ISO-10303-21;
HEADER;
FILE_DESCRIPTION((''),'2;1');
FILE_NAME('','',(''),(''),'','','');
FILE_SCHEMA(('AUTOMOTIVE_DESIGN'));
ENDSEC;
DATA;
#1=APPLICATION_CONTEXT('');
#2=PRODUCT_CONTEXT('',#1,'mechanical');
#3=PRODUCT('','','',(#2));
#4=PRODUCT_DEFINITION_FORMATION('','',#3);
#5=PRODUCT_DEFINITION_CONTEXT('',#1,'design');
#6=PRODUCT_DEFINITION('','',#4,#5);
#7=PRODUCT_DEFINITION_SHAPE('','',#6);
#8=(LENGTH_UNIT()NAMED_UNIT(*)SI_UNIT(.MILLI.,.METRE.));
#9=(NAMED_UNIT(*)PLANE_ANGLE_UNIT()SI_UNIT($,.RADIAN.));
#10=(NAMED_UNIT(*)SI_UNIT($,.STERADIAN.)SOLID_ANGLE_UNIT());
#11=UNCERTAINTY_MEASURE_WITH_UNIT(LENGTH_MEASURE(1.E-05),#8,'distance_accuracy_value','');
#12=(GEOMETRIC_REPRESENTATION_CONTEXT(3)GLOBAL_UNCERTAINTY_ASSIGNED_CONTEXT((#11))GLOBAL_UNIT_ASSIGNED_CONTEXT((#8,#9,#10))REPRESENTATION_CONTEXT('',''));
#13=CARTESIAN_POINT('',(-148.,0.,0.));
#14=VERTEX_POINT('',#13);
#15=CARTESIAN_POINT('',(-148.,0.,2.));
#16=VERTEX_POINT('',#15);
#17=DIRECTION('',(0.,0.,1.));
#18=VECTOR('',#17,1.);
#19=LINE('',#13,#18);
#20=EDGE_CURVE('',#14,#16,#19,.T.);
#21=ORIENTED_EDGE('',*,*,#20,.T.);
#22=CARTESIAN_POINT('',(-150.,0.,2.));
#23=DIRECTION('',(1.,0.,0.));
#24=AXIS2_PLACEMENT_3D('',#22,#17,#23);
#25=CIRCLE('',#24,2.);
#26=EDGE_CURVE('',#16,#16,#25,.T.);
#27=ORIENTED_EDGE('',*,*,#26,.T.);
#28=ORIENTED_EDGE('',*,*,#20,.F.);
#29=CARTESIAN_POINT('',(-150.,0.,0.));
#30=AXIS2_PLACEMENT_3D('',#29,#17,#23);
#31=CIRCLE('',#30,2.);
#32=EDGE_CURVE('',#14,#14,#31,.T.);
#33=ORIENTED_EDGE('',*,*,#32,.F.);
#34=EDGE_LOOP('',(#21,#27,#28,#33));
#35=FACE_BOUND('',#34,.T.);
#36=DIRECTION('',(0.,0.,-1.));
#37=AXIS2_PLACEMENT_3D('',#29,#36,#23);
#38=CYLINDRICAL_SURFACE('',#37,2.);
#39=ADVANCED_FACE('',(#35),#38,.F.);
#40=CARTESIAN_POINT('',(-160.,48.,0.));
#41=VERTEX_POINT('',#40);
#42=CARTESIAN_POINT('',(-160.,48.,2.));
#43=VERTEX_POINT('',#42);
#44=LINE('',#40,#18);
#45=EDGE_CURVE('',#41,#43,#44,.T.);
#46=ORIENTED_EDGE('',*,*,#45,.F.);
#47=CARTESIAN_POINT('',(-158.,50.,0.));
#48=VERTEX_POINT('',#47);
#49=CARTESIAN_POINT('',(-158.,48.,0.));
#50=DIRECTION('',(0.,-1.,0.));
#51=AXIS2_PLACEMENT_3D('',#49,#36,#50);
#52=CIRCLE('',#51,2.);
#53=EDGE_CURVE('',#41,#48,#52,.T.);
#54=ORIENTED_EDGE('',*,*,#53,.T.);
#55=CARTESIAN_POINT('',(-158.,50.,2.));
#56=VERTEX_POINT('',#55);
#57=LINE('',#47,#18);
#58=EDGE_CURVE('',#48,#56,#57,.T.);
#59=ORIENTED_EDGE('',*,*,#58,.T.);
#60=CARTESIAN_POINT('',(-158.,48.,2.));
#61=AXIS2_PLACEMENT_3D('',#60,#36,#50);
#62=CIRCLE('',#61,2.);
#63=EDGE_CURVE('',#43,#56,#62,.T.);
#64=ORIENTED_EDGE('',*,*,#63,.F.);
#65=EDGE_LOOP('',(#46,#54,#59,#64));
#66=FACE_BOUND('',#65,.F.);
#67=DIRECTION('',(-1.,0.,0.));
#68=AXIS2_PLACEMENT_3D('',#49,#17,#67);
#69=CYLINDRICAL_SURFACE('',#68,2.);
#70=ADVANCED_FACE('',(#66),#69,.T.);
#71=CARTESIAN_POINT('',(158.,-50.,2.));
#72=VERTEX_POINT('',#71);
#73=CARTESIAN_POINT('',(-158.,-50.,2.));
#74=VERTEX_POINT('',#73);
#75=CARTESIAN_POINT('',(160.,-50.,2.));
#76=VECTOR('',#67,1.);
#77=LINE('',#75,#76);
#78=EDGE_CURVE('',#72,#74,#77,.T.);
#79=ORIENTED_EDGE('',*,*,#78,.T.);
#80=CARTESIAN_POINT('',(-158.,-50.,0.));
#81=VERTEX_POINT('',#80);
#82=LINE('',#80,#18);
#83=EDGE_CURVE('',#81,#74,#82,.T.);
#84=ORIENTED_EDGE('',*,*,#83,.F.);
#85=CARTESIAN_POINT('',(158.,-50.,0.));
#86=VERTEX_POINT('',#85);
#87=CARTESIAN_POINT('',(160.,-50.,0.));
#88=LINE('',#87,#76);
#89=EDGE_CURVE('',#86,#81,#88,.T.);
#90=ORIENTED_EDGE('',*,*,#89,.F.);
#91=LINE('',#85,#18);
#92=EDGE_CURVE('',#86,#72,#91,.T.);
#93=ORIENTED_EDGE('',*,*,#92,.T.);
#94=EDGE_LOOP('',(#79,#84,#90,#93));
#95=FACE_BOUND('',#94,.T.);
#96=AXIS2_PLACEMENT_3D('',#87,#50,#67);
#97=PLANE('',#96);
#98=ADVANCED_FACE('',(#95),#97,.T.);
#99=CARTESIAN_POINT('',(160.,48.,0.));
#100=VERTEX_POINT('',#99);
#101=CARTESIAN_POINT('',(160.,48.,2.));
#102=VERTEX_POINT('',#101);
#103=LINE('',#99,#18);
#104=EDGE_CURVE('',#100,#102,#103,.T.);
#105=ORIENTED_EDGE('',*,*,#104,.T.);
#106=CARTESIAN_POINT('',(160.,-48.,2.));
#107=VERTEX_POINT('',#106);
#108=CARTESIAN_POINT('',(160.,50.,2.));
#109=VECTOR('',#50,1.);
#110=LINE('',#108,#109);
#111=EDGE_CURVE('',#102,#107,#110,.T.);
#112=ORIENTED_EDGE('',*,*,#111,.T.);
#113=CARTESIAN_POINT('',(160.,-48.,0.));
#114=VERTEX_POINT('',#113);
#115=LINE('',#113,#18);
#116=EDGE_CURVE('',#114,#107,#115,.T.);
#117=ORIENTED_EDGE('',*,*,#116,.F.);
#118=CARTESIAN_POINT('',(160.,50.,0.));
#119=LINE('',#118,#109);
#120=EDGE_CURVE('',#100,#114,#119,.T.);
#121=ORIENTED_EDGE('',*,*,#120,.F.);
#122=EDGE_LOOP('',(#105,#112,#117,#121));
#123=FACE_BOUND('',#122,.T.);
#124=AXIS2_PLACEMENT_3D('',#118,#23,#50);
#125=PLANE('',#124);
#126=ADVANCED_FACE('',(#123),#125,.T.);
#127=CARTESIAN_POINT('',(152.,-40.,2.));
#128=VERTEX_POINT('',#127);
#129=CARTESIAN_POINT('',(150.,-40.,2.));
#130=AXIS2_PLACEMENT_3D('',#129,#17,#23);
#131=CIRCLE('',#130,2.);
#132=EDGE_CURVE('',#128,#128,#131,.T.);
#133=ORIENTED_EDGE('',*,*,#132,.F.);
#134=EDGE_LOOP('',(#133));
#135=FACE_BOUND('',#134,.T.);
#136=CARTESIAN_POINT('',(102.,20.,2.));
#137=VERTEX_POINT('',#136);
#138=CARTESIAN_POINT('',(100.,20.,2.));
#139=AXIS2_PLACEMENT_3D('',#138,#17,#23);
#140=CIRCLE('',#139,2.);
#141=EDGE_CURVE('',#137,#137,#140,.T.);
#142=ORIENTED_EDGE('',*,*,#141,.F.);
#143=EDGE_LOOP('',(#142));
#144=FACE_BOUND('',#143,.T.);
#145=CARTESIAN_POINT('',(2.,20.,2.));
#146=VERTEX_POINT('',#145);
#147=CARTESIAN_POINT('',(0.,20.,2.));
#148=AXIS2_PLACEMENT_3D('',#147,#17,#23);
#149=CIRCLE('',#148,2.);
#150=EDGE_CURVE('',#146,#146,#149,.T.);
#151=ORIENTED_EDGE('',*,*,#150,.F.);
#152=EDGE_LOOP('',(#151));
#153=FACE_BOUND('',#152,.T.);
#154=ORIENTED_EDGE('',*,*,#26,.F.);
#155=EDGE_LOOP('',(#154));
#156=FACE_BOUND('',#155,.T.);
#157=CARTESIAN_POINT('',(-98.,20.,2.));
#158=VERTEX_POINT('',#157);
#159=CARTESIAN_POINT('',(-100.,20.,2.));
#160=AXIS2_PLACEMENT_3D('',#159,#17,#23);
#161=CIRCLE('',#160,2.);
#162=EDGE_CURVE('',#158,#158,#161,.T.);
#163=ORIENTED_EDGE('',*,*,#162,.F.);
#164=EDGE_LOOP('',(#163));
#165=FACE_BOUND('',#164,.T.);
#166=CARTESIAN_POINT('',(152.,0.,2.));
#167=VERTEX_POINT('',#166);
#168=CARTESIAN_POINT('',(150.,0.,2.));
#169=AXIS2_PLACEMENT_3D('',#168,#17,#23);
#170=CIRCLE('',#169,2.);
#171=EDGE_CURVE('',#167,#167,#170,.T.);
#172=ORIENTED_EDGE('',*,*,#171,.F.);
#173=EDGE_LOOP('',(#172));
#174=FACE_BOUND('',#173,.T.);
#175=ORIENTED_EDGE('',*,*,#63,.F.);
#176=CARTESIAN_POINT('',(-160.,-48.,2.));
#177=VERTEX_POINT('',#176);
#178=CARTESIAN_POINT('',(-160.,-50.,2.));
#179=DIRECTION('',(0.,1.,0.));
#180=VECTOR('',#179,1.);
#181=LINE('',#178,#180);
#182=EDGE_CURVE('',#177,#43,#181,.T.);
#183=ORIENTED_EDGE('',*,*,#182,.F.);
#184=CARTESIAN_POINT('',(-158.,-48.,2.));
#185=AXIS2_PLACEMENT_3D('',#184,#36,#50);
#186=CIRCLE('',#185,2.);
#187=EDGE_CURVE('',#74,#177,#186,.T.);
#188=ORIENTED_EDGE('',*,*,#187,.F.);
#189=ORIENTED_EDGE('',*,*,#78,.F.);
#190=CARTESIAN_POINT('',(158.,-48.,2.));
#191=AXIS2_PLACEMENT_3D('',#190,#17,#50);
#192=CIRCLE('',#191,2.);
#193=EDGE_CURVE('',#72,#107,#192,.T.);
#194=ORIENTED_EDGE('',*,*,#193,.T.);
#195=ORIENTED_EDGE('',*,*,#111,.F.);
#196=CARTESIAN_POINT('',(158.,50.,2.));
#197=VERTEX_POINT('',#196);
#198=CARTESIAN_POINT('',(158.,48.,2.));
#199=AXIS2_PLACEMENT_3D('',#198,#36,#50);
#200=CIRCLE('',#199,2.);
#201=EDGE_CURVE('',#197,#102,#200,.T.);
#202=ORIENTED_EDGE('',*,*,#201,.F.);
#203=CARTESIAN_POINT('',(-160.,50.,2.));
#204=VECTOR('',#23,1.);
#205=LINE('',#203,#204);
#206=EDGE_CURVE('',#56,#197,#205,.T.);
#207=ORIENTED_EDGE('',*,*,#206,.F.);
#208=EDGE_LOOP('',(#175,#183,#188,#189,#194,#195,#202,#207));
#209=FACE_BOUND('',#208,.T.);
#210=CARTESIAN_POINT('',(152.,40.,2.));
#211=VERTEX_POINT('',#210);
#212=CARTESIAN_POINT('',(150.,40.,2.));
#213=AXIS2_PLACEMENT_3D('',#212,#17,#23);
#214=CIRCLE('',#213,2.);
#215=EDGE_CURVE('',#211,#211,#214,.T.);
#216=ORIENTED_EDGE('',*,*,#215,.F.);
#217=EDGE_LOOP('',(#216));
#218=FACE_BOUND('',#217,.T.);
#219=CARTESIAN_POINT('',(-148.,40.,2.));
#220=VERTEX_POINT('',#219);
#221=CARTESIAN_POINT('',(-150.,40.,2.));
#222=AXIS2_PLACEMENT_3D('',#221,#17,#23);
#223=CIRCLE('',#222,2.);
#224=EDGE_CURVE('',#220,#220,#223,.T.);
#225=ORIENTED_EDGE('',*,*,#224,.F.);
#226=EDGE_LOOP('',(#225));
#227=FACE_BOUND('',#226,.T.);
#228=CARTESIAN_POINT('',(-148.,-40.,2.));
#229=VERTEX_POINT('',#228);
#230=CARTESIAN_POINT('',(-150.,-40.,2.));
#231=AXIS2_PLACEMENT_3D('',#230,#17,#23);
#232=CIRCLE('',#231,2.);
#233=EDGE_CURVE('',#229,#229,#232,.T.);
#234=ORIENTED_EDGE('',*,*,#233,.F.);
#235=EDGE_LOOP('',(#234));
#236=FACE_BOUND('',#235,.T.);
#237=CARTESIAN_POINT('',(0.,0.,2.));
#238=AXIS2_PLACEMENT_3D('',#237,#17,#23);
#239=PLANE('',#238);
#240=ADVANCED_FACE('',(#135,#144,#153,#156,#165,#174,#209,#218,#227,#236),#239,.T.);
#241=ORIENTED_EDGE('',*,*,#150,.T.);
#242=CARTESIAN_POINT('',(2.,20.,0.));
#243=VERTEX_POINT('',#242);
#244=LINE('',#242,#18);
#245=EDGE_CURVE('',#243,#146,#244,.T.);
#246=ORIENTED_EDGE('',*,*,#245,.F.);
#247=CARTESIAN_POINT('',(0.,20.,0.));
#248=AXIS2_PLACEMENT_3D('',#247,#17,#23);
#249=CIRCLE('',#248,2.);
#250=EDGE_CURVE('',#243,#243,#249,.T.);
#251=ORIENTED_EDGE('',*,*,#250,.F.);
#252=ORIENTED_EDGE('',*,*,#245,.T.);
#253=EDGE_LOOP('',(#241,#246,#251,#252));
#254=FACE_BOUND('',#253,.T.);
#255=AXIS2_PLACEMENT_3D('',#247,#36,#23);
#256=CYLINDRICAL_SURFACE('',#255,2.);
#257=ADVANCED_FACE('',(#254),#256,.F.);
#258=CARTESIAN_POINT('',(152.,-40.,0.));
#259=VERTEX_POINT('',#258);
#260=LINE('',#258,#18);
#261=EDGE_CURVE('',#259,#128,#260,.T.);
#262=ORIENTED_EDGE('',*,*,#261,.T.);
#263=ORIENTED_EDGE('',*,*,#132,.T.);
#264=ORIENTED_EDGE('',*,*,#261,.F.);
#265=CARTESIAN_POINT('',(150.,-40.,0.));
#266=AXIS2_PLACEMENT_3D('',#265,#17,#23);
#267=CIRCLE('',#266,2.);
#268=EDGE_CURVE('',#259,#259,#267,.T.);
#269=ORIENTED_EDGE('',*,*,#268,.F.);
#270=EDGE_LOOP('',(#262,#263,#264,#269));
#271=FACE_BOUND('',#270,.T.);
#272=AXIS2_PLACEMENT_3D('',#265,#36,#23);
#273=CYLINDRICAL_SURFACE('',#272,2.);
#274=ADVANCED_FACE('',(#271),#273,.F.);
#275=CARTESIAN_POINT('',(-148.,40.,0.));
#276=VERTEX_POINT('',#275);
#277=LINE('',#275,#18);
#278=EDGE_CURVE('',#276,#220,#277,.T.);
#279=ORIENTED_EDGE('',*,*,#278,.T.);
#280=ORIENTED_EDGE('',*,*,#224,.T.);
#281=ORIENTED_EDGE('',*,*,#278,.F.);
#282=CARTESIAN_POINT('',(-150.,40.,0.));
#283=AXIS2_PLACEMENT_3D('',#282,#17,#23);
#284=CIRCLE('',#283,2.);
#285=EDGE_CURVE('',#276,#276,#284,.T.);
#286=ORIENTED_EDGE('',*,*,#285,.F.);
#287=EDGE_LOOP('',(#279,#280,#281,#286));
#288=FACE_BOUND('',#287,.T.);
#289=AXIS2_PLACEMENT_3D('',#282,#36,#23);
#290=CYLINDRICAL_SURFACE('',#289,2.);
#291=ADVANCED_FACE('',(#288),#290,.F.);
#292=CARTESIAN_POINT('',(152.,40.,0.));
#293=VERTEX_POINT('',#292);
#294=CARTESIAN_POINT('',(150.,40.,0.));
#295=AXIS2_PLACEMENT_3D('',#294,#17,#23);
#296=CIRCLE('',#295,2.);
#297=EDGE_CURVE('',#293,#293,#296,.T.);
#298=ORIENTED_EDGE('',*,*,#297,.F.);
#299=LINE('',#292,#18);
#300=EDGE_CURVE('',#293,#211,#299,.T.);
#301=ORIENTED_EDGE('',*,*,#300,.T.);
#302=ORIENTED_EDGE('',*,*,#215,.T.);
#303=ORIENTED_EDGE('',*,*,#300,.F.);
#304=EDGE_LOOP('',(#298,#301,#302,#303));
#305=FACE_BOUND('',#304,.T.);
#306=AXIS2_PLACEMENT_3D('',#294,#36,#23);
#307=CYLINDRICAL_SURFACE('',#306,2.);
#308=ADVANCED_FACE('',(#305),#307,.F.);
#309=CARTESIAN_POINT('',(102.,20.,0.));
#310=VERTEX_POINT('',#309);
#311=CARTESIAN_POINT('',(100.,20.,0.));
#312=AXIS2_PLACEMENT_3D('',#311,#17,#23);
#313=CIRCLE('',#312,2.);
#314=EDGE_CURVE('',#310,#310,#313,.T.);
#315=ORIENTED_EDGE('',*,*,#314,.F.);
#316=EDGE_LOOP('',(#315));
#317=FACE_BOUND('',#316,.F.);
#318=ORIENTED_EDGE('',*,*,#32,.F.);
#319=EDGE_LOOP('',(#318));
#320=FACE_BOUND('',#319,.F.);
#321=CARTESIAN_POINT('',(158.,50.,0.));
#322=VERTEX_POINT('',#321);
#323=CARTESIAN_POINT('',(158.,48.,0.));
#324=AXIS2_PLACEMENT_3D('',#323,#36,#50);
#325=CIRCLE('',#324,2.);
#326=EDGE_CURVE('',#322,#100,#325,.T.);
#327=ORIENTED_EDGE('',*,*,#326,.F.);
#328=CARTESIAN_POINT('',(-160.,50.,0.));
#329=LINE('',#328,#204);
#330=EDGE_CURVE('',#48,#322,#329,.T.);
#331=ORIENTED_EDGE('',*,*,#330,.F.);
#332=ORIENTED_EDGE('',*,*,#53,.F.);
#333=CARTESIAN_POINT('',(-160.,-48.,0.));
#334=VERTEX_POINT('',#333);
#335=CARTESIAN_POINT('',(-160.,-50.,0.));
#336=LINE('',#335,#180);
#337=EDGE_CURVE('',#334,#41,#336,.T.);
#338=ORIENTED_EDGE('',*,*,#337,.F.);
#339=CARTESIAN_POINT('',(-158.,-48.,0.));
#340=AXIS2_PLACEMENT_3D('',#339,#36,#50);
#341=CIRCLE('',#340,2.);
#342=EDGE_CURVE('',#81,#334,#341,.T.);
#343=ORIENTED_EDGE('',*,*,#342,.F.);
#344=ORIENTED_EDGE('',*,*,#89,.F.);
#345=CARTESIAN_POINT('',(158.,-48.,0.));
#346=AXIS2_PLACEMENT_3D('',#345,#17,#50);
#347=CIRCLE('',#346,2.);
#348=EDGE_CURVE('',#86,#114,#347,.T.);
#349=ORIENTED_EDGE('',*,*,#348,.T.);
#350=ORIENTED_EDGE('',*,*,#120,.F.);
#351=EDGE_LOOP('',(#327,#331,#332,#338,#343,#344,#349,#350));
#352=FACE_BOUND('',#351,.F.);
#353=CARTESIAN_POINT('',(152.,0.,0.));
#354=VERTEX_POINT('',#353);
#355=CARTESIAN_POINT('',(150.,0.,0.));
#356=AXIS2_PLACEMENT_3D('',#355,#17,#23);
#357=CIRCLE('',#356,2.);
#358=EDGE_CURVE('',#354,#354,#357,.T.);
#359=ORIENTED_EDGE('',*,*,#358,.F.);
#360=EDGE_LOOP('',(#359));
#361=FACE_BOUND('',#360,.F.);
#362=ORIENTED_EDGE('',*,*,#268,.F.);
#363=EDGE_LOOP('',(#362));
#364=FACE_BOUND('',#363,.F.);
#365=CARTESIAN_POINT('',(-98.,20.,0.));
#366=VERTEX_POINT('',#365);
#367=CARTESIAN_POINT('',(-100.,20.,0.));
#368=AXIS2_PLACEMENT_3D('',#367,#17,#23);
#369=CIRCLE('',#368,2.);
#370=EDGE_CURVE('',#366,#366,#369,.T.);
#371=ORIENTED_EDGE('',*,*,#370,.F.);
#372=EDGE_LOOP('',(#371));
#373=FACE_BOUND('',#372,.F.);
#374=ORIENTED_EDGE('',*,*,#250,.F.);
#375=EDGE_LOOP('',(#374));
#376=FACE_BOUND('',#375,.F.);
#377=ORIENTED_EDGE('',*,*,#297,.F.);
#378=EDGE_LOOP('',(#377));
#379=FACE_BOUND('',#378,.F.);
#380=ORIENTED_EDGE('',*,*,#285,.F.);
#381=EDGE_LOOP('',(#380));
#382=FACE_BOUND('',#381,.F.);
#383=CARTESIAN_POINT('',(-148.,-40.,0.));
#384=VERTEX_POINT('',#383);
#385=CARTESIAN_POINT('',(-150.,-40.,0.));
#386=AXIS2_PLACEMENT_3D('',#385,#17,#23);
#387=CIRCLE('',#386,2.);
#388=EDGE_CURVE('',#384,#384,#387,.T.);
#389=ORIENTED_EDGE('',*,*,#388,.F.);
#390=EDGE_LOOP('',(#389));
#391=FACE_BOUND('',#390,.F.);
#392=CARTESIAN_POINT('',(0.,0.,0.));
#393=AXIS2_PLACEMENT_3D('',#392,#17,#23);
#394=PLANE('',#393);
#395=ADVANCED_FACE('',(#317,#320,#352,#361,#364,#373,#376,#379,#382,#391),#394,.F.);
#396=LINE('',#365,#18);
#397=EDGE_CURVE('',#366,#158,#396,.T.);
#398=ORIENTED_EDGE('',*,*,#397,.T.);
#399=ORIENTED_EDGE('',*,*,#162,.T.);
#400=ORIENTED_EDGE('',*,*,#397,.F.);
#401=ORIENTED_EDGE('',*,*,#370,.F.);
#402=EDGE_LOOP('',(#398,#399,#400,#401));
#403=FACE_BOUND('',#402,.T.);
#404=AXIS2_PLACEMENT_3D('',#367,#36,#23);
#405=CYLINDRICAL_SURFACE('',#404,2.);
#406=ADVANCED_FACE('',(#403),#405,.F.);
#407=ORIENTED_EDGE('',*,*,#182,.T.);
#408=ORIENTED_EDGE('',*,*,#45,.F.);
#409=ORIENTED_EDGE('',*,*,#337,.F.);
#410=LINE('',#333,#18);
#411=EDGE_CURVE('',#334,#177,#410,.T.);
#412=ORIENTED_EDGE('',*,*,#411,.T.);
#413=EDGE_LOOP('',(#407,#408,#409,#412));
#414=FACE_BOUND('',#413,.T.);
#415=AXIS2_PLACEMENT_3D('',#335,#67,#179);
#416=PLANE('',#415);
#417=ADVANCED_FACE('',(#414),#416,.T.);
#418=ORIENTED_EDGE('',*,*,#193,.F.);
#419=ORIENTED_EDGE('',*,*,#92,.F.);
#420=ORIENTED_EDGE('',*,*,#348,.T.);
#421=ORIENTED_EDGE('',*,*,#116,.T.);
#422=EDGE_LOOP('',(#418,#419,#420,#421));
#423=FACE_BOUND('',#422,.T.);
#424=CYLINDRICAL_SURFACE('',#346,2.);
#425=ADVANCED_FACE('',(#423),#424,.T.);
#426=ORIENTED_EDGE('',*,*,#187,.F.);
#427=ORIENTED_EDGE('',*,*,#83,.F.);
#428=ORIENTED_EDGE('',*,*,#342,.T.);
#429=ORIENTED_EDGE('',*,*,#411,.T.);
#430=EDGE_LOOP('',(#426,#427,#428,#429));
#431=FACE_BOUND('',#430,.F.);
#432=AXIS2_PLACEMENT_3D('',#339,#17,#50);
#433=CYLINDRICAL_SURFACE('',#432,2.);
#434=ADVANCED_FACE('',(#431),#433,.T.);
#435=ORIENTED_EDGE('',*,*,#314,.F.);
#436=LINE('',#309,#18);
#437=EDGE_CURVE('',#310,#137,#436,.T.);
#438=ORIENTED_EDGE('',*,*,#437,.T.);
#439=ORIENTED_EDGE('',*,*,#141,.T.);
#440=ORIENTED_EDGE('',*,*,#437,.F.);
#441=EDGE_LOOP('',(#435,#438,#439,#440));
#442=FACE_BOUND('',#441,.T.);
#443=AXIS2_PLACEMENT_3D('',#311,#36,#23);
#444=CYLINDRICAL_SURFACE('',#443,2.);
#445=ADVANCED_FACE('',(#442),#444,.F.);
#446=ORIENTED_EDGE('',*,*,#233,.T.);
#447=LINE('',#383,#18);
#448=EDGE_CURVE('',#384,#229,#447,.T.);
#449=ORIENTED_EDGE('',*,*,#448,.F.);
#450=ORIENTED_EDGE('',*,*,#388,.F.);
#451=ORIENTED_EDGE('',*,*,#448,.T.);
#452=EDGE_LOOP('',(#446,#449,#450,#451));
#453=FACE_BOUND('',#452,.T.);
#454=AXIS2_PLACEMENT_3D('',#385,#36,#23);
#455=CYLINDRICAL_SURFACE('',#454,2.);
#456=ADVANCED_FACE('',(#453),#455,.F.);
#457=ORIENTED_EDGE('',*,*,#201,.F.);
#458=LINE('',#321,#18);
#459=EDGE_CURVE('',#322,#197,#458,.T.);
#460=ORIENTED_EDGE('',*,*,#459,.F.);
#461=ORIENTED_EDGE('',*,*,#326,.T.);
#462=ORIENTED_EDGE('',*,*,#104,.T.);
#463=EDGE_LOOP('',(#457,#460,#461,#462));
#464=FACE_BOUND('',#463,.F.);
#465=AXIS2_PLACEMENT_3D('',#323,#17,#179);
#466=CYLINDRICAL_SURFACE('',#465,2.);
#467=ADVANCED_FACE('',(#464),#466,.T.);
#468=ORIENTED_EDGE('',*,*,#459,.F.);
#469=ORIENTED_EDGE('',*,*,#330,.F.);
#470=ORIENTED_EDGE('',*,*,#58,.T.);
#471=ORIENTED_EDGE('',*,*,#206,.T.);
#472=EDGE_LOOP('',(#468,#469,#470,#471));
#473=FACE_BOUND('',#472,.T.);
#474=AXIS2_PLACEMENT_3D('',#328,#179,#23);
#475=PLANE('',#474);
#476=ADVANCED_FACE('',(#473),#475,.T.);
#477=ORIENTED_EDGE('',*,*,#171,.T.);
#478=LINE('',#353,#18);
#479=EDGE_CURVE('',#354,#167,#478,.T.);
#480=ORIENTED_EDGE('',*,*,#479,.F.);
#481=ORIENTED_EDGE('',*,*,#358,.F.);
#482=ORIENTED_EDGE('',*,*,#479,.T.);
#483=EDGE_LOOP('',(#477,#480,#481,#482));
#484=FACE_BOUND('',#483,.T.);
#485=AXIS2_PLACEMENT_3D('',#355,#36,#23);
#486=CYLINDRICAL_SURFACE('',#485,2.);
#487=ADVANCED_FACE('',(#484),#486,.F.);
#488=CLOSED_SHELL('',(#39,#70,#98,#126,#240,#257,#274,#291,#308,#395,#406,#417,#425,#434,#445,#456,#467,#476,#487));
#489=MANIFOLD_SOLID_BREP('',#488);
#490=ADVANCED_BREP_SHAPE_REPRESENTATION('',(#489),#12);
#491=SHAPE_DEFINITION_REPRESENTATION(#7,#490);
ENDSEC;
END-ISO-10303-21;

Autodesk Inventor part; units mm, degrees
ref_plane "YZ Plane" through (0, 0, 0) normal (1, 0, 0) x (0, 1, 0)
ref_plane "XZ Plane" through (0, 0, 0) normal (0, 1, 0) x (-1, 0, 0)
ref_plane "XY Plane" through (0, 0, 0) normal (0, 0, 1) x (1, 0, 0)
sketch "Sketch1" plane through (0, 0, 0) normal (0, 0, 1) x (1, 0, 0)
  line L0 (160, -50) -> (-160, -50)
  line L1 (-160, -50) -> (-160, 50)
  line L2 (-160, 50) -> (160, 50)
  line L3 (160, 50) -> (160, -50)
  circle A0 centre (-100, 20) radius 2
  circle A1 centre (0, 20) radius 2
  circle A2 centre (100, 20) radius 2
  circle A3 centre (-150, 40) radius 2
  circle A4 centre (-150, 0) radius 2
  circle A5 centre (-150, -40) radius 2
  circle A6 centre (150, 40) radius 2
  circle A7 centre (150, 0) radius 2
  circle A8 centre (150, -40) radius 2
  point P0 (0, 0)
  dimension "d0" = 320
  dimension "d1" = 100
  dimension "d8" = 60
  dimension "d9" = 70
  dimension "d10" = 4
  dimension "d11" = 60
  dimension "d13" = 10
  dimension "d14" = 10
  dimension "d15" = 10
  dimension "d16" = 10
  dimension "d17" = 10
  dimension "d18" = 4
  dimension "d21" = 160
  dimension "d22" = 50
  dimension "d23" = 160
extrude "Plate1" add sketch "Sketch1" along normal blind 2
fillet "Fillet1" radius 2 4 edges at (160, 50, 1) (160, -50, 1) (-160, 50, 1) (-160, -50, 1)
equation "\"d19\" = Thickness"
equation "\"BendRadius\" = Thickness"
equation "\"BendReliefWidth\" = Thickness"
equation "\"BendReliefDepth\" = 0.5 * Thickness"
equation "\"CornerReliefSize\" = 4 * Thickness"
equation "\"MinimumRemnant\" = 2 * Thickness"
equation "\"TransitionRadius\" = BendRadius"
equation "\"JacobiRadiusSize\" = BendRadius"
equation "\"GapSize\" = Thickness"
equation "\"Thickness\" = 2"
properties part number "Platform side 1"
